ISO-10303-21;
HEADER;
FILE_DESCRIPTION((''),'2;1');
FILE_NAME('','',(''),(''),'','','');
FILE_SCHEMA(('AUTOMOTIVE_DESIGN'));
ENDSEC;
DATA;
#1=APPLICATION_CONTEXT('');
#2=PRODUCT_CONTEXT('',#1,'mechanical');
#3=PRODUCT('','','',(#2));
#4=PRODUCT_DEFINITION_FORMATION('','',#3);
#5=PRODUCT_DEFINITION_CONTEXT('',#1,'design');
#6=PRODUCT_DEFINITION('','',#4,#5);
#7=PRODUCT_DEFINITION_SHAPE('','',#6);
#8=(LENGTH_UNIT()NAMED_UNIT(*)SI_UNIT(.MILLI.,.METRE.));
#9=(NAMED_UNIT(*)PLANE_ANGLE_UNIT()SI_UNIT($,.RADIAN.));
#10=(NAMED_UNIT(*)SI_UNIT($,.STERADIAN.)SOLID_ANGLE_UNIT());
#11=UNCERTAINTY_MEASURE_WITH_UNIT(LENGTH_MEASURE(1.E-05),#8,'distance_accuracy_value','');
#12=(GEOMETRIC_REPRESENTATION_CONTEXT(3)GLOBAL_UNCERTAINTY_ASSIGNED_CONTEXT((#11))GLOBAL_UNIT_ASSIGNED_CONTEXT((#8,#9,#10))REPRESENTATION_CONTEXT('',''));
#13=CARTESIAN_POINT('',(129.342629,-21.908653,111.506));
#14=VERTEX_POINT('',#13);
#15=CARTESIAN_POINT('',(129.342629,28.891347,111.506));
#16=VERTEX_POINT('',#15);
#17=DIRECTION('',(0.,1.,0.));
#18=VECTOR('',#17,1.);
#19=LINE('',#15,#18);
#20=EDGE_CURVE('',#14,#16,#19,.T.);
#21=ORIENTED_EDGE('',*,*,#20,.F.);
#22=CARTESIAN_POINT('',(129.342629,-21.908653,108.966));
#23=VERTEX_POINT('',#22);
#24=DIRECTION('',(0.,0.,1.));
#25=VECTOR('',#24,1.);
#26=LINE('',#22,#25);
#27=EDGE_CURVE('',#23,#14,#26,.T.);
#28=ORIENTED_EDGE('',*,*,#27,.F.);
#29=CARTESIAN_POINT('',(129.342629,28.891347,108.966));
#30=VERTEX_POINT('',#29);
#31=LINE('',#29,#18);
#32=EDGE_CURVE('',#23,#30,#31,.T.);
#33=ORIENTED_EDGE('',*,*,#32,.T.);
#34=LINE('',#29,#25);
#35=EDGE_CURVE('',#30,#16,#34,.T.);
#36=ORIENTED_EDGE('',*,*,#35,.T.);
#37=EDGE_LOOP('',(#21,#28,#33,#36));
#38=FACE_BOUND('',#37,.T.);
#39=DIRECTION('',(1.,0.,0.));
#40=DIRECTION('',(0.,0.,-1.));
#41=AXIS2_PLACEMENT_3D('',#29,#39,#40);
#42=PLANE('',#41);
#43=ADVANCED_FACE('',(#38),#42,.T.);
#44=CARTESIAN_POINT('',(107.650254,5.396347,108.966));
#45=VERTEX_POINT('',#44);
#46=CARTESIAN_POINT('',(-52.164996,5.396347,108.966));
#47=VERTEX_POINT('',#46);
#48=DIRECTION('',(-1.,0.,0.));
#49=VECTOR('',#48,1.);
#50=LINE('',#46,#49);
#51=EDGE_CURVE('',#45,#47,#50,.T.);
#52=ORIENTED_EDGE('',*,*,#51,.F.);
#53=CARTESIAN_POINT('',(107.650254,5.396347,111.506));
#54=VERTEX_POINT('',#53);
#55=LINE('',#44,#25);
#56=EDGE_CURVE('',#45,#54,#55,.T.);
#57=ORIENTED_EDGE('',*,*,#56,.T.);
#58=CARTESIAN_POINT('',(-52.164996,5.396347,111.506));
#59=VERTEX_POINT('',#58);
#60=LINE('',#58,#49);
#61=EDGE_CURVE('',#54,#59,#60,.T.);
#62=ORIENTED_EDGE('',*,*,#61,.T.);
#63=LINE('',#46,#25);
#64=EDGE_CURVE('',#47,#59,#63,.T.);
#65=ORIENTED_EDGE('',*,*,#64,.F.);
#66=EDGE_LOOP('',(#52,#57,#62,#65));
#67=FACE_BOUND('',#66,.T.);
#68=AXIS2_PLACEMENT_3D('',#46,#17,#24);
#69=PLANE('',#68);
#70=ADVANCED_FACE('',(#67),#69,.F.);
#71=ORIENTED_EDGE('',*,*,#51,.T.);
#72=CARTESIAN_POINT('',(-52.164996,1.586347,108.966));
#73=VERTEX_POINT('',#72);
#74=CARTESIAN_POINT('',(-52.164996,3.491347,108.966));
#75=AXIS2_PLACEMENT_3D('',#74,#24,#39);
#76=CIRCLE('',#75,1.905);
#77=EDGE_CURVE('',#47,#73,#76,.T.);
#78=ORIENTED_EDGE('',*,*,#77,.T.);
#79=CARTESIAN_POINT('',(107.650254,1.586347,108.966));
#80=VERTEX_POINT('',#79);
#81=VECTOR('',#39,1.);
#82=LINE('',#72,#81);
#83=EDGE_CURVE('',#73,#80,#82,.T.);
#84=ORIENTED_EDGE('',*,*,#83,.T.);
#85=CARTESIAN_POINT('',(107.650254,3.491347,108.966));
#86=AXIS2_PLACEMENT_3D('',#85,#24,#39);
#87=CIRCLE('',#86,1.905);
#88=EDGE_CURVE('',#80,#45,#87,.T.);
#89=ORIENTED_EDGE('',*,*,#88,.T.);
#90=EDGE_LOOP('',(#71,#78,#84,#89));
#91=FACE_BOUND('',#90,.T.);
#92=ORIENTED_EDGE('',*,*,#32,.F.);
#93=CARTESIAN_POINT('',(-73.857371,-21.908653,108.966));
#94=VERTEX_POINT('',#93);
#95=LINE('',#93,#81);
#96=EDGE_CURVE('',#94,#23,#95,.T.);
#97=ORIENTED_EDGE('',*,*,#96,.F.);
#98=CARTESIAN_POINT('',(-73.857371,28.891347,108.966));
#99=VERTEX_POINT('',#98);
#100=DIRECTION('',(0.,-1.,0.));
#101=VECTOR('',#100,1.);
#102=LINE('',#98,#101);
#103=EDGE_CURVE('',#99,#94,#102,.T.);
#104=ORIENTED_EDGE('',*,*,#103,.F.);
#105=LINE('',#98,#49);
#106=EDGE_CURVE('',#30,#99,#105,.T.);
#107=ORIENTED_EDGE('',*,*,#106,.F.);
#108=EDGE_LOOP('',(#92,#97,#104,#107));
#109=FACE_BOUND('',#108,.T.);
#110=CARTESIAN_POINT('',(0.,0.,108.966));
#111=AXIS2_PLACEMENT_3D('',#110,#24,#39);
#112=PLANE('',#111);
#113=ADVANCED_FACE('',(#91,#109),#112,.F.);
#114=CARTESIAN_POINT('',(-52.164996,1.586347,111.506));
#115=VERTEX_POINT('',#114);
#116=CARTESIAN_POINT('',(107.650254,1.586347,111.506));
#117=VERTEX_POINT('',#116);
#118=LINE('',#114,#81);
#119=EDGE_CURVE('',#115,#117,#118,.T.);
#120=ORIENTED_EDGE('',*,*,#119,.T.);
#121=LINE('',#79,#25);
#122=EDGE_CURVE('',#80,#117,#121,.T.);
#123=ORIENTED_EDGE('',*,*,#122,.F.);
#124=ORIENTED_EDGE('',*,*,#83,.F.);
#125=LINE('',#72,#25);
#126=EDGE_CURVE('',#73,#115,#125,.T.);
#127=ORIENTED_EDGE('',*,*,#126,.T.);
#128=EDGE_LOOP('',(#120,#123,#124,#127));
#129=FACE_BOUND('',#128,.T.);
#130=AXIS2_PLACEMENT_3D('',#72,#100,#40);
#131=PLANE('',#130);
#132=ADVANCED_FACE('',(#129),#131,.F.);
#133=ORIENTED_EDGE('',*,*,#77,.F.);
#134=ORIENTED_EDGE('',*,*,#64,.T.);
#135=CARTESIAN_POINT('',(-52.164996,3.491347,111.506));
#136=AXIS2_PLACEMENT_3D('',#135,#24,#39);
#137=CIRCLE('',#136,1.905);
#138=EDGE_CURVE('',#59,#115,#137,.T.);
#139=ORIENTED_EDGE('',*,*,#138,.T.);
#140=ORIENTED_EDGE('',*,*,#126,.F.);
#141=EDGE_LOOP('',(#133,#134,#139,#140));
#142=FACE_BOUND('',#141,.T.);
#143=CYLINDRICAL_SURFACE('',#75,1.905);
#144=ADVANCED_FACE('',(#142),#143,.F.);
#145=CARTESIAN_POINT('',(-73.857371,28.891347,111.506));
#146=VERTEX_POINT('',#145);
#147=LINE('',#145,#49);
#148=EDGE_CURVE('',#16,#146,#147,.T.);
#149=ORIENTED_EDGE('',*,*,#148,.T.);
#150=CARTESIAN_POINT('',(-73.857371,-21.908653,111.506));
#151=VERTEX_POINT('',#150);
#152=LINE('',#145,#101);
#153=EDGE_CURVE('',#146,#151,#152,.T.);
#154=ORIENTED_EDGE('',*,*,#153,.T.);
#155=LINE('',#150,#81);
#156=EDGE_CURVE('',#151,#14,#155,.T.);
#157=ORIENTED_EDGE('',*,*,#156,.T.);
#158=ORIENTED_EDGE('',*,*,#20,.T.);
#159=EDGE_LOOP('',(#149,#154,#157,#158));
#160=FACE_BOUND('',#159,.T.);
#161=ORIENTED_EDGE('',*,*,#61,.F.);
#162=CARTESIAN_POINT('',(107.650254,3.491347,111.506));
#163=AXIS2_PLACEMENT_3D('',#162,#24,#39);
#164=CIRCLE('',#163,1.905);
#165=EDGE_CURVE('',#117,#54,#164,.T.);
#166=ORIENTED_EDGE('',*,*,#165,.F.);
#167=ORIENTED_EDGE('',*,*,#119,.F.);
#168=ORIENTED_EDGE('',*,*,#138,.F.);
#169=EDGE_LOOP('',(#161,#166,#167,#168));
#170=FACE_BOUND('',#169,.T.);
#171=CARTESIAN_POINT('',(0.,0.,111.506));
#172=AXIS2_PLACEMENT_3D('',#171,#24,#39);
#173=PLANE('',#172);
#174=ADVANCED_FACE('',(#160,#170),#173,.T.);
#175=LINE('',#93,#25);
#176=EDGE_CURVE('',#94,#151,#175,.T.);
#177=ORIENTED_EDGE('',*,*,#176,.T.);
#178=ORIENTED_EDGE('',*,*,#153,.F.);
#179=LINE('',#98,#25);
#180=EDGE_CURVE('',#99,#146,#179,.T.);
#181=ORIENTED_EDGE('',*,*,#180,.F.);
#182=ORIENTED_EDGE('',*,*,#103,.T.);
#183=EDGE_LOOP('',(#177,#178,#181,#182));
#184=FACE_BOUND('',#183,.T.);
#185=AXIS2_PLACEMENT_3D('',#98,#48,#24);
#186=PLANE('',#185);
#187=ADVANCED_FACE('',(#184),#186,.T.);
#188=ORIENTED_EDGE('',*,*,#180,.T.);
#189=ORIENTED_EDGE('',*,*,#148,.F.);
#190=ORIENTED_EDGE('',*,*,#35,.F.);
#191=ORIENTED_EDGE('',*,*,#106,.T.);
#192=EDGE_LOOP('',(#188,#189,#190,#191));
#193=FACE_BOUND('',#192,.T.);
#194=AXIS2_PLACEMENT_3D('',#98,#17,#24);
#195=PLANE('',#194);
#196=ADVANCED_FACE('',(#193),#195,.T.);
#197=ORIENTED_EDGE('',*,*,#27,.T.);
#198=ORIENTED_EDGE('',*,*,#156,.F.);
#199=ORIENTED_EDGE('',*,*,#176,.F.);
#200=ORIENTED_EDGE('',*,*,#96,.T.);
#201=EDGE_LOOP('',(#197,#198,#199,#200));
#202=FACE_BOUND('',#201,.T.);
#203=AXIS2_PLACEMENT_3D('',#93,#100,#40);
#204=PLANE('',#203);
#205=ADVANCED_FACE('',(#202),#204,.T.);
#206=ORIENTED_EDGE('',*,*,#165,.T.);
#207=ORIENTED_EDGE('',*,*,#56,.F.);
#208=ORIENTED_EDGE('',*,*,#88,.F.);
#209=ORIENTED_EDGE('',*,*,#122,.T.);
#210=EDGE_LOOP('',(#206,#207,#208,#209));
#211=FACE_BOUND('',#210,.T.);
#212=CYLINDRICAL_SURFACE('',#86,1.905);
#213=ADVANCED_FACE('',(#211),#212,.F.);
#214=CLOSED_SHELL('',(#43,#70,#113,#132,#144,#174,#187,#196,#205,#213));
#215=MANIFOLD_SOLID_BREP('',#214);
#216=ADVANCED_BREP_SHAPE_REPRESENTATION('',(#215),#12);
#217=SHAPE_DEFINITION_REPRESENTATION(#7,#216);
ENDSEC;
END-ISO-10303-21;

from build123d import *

# Parameters (mm, degrees)
SKETCH1_W           = 203.2
SKETCH1_H           = 50.8
BOSS_EXTRUDE1_DEPTH = 2.54


with BuildPart() as part:
    # Sketch1 → Boss-Extrude1 (new body)
    with BuildSketch(Plane.XY.offset(111.506)):
        with Locations((27.742628903, 3.491347131)):
            Rectangle(SKETCH1_W, SKETCH1_H)
        with BuildLine():
            Line((-52.164996369, 5.396347131), (107.650254176, 5.396347131))
            ThreePointArc((107.650254176, 5.396347131), (109.555254176, 3.491347131), (107.650254176, 1.586347131))
            Line((107.650254176, 1.586347131), (-52.164996369, 1.586347131))
            ThreePointArc((-52.164996369, 1.586347131), (-54.069996369, 3.491347131), (-52.164996369, 5.396347131))
        make_face(mode=Mode.SUBTRACT)
    extrude(amount=-BOSS_EXTRUDE1_DEPTH)


solid = part.part
